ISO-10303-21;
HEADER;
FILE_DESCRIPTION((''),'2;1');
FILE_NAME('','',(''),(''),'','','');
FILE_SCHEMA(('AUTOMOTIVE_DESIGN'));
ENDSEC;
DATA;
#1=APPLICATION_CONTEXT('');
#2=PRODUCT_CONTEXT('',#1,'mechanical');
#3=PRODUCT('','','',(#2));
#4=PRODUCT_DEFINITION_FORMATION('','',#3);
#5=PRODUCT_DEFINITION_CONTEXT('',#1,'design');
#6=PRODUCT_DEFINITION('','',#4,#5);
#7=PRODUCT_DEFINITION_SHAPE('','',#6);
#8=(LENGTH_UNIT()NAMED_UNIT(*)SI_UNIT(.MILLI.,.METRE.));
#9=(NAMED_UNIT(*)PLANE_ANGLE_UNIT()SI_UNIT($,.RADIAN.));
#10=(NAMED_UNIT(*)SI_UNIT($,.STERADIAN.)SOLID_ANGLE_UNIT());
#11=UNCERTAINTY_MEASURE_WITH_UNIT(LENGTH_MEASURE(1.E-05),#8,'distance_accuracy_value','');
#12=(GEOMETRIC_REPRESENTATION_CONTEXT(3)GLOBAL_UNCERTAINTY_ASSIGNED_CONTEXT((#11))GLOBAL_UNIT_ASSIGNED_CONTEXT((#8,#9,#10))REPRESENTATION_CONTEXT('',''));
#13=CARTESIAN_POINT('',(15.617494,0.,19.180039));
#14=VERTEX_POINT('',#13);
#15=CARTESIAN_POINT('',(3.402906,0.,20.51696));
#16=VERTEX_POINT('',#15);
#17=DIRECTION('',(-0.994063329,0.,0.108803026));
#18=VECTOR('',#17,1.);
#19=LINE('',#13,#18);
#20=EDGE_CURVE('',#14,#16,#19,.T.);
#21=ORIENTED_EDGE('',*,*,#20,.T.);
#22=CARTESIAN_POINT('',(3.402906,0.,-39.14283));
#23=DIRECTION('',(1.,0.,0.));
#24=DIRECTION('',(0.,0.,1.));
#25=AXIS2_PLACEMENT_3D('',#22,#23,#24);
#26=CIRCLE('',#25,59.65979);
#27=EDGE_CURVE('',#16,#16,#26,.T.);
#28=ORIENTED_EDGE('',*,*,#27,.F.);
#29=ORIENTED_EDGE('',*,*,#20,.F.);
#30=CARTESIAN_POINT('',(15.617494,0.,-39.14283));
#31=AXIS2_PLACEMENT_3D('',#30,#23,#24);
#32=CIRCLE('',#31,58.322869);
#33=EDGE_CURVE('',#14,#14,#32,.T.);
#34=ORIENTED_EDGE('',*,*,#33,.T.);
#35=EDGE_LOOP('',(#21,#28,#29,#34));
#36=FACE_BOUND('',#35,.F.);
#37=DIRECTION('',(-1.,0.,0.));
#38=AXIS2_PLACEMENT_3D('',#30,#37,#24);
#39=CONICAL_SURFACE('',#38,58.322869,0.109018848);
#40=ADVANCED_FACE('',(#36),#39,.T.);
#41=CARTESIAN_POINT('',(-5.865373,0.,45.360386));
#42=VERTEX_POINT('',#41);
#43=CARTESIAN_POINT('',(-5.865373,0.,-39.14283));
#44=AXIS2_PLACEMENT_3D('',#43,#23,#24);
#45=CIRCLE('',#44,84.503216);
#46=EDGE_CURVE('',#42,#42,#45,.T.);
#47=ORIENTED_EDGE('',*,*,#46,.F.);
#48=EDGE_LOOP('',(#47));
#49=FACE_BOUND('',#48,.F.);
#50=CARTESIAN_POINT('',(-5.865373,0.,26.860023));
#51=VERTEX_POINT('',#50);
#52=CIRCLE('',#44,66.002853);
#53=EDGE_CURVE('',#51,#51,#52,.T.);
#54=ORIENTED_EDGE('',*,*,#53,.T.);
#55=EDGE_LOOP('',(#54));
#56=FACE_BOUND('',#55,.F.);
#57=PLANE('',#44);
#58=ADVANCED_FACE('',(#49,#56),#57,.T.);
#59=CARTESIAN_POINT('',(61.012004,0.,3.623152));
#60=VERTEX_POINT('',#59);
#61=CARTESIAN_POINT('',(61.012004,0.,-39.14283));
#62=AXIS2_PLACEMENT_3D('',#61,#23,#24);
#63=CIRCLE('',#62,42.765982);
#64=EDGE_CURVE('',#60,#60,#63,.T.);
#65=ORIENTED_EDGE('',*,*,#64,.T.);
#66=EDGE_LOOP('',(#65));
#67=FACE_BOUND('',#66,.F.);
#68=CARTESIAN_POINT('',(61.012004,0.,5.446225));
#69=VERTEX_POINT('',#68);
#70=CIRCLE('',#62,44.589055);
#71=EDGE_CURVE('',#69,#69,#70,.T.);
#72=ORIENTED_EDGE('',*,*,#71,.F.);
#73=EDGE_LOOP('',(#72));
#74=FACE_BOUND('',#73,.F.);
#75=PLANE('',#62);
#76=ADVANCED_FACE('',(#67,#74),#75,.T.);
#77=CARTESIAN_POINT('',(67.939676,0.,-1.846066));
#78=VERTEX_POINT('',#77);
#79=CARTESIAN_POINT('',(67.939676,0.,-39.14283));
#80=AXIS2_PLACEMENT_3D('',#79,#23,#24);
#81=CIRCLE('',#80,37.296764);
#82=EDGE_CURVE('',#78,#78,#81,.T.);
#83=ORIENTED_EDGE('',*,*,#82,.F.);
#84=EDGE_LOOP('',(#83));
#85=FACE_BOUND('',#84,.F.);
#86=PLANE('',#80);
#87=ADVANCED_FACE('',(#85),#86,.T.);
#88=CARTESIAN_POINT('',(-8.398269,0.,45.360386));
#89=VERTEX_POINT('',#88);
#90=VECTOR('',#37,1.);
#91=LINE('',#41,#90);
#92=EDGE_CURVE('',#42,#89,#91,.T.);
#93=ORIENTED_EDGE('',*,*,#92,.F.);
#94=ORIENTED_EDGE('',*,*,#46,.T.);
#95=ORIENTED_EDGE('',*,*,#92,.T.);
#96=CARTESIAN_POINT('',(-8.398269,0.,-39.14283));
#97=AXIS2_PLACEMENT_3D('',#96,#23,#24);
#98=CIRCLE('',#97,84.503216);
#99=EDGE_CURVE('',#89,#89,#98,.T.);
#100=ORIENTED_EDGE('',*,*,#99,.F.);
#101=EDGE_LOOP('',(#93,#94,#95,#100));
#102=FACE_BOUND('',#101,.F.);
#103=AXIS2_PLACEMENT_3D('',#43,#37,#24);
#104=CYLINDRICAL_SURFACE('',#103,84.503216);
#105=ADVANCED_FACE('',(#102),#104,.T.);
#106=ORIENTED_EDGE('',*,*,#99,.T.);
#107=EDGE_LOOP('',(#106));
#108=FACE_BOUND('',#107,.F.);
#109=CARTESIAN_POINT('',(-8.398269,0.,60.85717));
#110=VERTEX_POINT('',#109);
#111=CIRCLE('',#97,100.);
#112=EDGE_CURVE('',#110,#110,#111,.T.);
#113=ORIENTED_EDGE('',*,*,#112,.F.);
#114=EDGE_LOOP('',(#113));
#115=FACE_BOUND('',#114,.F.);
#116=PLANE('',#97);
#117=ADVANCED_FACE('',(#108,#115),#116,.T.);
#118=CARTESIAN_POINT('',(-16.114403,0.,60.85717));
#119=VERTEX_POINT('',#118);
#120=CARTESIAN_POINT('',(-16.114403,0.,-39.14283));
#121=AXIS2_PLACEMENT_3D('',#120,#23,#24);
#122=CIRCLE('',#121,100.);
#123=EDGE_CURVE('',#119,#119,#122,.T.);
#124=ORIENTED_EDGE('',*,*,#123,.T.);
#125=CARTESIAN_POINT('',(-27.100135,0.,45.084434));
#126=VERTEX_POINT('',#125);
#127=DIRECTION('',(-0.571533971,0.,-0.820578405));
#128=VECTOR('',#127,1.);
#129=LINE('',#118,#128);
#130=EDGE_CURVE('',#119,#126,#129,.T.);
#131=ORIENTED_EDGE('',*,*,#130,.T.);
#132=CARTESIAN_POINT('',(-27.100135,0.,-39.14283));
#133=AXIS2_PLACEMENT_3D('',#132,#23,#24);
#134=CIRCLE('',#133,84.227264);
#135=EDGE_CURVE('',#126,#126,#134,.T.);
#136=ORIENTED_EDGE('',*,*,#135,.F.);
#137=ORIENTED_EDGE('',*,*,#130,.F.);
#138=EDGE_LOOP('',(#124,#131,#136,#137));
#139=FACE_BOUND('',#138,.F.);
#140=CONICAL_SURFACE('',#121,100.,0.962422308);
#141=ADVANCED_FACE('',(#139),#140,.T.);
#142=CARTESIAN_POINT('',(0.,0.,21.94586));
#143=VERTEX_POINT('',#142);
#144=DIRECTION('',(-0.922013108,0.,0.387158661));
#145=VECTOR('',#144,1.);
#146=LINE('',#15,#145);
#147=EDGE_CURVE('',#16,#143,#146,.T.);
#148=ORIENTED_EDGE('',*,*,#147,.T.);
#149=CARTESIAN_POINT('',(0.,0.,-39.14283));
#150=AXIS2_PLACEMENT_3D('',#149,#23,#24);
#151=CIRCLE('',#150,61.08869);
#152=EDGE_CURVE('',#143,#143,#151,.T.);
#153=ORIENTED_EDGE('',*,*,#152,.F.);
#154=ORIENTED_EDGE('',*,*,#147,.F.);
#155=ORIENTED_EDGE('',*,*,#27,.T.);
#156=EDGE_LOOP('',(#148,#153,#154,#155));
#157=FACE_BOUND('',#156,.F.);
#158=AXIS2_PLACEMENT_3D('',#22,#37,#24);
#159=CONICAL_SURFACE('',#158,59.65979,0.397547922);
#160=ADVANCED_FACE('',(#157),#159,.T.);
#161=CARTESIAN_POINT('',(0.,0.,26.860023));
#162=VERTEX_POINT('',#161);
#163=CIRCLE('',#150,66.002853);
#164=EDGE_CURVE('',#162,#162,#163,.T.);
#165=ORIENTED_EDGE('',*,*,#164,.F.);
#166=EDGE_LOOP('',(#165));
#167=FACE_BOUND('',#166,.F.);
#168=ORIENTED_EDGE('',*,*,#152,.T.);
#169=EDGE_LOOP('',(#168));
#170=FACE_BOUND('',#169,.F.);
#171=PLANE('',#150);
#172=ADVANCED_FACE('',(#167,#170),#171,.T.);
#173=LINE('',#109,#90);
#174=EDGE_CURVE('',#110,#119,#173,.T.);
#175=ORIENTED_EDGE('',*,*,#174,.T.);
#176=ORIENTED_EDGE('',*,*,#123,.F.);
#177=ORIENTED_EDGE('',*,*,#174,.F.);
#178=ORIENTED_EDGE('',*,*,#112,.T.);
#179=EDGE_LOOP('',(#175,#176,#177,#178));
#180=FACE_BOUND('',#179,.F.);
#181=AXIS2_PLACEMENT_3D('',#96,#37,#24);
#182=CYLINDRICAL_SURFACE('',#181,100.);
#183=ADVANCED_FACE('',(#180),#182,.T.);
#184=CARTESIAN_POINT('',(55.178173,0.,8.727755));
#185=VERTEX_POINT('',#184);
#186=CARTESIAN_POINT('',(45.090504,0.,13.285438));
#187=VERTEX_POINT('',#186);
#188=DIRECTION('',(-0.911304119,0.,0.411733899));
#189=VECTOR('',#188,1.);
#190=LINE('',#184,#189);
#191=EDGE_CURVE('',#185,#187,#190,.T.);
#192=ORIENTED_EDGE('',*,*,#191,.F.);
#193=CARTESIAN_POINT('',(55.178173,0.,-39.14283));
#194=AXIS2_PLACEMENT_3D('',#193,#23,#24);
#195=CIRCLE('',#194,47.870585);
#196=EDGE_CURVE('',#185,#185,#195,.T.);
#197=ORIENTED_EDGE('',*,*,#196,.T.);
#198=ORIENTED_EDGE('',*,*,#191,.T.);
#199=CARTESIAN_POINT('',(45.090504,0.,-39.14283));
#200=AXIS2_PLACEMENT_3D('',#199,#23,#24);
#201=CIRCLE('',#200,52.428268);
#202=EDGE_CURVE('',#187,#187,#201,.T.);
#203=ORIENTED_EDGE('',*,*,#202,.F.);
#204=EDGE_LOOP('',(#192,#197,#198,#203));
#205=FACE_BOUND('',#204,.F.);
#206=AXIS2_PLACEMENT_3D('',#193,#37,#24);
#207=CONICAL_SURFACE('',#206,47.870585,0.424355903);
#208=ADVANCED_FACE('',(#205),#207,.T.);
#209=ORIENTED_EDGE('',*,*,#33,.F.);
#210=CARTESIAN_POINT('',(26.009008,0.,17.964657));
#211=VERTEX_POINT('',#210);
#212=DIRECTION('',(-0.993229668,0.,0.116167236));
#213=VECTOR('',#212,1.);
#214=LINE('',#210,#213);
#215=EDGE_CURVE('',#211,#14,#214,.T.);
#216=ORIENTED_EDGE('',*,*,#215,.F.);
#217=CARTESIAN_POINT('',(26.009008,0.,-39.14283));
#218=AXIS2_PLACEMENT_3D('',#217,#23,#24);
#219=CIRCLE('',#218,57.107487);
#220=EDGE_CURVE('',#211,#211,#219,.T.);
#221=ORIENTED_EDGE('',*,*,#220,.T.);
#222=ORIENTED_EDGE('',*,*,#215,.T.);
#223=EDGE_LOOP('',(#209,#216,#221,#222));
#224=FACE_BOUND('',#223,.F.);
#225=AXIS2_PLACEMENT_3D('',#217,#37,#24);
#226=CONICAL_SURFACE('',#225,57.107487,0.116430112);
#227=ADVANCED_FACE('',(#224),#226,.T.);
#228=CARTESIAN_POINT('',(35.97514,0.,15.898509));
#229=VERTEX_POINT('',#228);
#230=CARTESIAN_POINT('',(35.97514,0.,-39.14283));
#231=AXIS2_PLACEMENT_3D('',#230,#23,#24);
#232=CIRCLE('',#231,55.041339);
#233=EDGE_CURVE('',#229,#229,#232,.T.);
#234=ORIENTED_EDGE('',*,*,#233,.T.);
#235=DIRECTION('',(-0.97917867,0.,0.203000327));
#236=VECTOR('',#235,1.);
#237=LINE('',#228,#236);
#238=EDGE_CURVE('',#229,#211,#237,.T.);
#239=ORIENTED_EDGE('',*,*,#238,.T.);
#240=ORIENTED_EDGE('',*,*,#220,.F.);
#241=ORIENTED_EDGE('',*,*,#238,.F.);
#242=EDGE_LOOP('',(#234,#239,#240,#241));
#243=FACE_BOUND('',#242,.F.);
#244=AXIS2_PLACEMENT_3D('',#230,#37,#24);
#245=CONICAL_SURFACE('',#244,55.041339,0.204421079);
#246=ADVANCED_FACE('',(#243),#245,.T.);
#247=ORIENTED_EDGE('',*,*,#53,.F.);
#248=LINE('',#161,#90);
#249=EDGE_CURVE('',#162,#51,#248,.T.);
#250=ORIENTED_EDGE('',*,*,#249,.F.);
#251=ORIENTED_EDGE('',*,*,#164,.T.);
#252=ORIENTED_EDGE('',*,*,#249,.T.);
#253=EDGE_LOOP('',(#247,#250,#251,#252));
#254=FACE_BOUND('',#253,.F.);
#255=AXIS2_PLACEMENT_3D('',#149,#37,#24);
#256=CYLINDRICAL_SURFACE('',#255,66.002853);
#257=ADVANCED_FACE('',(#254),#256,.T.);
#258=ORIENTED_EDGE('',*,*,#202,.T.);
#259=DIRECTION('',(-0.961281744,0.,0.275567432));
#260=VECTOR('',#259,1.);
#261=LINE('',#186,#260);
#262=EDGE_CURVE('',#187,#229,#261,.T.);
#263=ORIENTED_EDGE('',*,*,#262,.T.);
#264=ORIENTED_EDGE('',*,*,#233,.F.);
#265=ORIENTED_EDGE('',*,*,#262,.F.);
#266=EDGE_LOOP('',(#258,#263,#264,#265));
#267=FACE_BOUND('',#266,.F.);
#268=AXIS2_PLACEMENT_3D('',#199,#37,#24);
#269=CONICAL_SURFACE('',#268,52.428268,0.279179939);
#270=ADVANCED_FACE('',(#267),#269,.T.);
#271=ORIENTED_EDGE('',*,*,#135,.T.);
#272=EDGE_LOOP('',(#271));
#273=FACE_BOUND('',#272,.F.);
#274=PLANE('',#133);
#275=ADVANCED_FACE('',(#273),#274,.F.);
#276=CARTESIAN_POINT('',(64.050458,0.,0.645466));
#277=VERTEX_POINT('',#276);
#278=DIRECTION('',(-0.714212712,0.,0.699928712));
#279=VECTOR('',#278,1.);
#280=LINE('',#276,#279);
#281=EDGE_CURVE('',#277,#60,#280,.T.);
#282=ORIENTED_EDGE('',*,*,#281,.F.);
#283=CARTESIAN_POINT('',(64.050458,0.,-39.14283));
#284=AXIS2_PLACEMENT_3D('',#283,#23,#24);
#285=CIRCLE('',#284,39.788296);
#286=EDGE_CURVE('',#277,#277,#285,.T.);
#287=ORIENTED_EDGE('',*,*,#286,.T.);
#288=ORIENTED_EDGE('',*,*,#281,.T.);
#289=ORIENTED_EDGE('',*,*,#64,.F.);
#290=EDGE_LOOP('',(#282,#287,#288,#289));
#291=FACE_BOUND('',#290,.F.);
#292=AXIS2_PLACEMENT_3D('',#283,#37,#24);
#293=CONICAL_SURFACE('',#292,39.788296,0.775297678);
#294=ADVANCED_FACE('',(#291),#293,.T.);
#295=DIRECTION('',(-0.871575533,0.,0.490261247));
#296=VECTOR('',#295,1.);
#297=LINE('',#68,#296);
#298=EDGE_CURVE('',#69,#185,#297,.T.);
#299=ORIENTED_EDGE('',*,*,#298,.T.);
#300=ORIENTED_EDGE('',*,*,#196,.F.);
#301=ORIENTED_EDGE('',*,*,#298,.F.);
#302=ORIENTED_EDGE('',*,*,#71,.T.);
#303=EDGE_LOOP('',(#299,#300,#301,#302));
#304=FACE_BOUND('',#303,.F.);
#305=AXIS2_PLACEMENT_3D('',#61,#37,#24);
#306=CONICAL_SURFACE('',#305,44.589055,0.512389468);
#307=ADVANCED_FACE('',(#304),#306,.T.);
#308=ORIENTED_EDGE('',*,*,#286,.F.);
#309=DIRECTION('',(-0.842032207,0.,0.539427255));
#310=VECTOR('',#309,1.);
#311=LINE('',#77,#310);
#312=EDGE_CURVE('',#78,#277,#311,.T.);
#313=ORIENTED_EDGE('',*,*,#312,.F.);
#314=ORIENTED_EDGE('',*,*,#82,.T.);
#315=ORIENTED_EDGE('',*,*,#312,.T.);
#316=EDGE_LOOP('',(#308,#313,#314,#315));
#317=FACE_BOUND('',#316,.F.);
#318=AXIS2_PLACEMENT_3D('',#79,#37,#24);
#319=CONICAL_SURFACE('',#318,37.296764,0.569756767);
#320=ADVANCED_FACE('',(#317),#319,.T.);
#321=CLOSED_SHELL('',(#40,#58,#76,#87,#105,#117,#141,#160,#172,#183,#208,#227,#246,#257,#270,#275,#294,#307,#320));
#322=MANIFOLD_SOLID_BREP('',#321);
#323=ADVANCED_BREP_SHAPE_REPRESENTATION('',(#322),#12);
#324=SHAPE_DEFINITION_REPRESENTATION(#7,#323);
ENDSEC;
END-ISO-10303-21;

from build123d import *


with BuildPart() as f1:
    # F0 (on Front) → F1 (revolve)
    with BuildSketch(Plane.XZ):
        Polygon((-8.398269, 45.360386), (-8.398269, 60.85717), (-16.114403, 60.85717), (-27.100135, 45.084434), (-27.100135, -39.14283), (-8.398269, -39.14283), align=None)
        Polygon((-5.865373, 45.360386), (-8.398269, 45.360386), (-8.398269, -39.14283), (67.939676, -39.14283), (67.939676, -1.846066), (64.050458, 0.645466), (61.012004, 3.623152), (61.012004, 5.446225), (55.178173, 8.727755), (45.090504, 13.285438), (35.97514, 15.898509), (26.009008, 17.964657), (15.617494, 19.180039), (3.402906, 20.51696), (0, 21.94586), (0, 26.860023), (-5.865373, 26.860023), align=None)
    revolve(axis=Axis((29.770704, 0, -39.14283), (1, 0, 0)))


solid = f1.part
